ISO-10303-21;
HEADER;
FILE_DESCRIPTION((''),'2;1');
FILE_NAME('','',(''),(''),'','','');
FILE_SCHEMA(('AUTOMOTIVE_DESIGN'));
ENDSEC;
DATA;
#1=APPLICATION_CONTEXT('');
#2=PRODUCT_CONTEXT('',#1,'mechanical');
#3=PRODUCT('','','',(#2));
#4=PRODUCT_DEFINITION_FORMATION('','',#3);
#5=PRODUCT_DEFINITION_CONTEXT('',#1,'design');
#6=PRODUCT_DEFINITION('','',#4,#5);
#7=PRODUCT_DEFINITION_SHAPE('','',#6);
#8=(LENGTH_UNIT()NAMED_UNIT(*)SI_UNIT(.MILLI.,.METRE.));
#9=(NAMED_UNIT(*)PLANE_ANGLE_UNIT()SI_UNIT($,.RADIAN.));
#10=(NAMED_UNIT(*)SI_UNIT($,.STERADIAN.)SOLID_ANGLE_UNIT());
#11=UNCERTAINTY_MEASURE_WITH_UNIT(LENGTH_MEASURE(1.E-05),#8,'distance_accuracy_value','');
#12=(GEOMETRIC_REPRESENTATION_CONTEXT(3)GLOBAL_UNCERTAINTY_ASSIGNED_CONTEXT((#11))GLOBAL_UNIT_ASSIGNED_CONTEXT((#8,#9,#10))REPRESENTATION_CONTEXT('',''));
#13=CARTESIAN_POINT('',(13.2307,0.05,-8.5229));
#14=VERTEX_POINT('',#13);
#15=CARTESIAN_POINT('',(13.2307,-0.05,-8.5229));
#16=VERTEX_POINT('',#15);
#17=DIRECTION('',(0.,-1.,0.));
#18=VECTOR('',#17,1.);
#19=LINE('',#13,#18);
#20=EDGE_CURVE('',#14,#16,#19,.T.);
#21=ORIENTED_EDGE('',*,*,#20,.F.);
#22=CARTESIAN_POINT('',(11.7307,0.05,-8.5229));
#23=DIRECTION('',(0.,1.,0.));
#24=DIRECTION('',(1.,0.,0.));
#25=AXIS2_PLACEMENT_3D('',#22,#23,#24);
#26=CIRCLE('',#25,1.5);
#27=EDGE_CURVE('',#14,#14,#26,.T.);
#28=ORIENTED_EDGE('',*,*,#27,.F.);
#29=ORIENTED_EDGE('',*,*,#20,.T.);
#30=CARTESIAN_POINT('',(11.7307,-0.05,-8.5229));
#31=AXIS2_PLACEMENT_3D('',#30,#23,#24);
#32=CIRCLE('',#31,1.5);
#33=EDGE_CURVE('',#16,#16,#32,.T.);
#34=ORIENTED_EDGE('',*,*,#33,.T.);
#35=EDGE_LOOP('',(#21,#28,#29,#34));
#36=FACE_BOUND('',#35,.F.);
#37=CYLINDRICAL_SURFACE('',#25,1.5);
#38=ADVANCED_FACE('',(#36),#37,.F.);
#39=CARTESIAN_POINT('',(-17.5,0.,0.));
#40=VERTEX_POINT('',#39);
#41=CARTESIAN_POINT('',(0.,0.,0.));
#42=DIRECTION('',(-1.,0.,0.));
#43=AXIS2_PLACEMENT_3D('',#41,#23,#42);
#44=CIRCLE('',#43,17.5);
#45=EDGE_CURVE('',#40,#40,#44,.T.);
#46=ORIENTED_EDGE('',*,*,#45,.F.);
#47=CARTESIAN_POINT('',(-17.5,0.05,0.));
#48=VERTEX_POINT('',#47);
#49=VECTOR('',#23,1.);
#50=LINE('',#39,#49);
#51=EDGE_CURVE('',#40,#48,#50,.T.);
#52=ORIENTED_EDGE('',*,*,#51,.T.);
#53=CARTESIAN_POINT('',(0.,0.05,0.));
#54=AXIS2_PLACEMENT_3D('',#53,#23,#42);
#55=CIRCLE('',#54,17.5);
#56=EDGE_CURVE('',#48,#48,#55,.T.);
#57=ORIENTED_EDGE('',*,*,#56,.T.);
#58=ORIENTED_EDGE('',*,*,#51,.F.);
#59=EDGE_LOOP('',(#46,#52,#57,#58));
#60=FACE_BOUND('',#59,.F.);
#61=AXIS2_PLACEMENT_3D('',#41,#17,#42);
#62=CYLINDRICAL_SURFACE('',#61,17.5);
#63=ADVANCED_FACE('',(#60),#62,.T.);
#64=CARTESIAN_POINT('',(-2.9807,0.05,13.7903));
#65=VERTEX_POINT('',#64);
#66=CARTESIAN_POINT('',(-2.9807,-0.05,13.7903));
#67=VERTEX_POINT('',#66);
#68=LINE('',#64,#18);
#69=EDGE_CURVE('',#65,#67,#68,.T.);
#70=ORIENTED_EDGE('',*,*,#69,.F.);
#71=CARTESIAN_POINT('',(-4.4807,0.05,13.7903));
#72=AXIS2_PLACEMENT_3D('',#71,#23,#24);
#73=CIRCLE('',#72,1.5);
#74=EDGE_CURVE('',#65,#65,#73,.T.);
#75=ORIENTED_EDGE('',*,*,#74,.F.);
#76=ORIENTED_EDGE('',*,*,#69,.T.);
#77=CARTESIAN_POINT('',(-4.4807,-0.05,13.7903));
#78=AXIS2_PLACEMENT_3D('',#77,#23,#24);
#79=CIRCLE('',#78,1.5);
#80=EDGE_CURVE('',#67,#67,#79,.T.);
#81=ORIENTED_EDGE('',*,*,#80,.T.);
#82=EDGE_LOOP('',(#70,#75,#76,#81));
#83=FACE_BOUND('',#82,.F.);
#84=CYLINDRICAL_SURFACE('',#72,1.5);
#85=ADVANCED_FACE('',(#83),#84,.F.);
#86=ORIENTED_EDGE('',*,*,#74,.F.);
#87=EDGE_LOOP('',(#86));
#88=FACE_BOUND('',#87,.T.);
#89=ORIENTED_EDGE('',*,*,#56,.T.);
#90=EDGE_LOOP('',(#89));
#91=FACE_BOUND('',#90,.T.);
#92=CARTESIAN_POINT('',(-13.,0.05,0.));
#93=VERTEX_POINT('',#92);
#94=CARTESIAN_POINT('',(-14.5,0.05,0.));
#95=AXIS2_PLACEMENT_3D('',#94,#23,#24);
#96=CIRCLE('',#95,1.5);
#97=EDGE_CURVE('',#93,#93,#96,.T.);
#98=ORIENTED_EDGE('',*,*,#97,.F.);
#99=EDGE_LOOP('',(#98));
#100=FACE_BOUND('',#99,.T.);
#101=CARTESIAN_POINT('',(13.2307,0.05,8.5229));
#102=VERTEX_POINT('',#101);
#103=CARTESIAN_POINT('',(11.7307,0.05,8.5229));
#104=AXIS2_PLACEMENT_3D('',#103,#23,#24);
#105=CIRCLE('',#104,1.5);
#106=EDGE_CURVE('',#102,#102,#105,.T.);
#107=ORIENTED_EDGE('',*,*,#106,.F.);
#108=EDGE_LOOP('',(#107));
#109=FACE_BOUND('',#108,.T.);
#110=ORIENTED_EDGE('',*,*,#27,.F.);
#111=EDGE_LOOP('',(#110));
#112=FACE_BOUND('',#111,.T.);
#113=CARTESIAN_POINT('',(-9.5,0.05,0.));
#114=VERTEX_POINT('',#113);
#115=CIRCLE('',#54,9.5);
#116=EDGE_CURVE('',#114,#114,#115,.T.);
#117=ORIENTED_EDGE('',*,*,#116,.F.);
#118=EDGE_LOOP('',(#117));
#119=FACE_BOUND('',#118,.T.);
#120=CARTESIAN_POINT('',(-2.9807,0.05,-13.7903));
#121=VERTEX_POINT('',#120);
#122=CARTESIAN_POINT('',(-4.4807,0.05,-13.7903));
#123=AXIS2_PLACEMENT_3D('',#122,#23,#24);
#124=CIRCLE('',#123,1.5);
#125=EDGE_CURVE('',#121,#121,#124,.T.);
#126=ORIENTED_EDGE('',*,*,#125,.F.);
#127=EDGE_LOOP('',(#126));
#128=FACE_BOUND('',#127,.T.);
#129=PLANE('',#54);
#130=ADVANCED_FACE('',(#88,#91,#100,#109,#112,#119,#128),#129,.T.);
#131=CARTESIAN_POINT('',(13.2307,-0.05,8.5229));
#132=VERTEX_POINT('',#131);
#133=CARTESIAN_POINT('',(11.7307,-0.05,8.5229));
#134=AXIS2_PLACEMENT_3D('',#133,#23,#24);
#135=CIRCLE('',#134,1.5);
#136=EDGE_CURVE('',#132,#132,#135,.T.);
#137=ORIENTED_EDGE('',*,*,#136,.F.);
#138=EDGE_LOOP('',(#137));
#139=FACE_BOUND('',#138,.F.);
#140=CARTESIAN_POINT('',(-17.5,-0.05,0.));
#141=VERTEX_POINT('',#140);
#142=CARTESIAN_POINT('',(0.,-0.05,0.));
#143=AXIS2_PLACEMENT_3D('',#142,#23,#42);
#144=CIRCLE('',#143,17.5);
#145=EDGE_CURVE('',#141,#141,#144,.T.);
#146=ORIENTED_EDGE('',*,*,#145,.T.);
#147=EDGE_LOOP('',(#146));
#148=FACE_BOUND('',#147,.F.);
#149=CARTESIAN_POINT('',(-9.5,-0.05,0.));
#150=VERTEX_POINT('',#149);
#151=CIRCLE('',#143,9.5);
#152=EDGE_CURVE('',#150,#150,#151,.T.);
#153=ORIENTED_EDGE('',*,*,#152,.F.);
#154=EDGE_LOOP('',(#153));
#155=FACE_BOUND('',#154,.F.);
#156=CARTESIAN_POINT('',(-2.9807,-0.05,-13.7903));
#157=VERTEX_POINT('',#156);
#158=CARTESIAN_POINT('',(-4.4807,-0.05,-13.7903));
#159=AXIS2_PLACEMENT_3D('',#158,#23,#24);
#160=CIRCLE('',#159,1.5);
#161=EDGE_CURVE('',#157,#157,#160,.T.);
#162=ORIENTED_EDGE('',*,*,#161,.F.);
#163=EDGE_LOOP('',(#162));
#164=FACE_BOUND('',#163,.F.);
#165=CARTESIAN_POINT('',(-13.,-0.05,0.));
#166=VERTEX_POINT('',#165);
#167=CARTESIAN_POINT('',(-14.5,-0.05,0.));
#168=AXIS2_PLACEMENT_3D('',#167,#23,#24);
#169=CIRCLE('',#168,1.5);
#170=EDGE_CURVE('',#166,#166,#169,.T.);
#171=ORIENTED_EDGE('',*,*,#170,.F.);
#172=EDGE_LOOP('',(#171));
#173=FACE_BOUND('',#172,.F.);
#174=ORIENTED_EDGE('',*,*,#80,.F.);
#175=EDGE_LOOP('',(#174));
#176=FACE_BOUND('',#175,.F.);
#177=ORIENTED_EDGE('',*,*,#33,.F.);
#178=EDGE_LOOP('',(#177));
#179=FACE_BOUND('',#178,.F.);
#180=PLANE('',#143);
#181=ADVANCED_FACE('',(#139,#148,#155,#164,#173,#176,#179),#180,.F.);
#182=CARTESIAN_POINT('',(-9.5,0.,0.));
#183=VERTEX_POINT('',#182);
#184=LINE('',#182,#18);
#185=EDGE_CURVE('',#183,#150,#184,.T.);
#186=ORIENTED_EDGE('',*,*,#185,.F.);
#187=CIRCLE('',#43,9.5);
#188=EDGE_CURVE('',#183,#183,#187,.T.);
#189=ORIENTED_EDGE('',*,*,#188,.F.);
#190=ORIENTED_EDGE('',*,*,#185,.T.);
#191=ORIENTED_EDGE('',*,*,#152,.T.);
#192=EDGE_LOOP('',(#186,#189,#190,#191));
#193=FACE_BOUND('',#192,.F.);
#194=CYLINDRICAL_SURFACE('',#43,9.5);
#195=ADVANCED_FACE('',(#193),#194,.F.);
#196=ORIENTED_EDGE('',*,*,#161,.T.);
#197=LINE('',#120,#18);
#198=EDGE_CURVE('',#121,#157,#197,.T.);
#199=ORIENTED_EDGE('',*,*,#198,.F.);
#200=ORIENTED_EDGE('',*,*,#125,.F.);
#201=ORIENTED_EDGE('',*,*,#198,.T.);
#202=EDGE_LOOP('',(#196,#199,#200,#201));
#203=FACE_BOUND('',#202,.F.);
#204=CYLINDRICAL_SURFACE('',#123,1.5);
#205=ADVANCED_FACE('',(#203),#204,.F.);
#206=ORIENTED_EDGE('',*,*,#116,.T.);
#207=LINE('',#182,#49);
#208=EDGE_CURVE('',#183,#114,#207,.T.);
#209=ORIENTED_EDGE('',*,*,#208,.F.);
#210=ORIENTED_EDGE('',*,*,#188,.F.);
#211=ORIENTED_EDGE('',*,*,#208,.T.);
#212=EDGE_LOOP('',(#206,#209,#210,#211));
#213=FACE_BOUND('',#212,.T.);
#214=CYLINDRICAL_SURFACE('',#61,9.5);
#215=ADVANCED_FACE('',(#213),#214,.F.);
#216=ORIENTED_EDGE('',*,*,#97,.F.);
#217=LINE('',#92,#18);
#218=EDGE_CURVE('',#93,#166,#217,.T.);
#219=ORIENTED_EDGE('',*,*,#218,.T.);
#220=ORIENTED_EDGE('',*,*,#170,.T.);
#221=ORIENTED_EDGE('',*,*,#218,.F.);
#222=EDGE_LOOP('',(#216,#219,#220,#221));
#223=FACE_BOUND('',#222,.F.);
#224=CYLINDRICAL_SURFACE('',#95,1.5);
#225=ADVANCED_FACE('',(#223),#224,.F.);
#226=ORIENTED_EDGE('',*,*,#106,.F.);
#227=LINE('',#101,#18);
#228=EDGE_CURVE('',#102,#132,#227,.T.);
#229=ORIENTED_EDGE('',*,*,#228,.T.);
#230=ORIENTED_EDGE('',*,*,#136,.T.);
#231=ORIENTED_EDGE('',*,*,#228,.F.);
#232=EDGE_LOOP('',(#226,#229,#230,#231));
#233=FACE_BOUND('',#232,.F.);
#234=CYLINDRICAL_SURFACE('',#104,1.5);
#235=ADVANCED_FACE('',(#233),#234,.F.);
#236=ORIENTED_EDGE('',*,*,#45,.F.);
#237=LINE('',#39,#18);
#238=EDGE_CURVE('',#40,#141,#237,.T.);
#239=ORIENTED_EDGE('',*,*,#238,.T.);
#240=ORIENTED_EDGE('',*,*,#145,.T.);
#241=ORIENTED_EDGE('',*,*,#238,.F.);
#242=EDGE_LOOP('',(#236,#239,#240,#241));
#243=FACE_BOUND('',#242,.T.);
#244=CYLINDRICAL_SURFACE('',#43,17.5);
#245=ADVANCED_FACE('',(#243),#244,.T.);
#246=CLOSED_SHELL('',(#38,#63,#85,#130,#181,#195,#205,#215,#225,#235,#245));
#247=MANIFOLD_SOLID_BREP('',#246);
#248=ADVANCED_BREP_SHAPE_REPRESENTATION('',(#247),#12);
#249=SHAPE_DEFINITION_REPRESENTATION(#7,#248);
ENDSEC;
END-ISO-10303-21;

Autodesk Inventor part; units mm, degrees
ref_plane "YZ Plane" through (0, 0, 0) normal (1, 0, 0) x (0, 1, 0)
ref_plane "XZ Plane" through (0, 0, 0) normal (0, 1, 0) x (-1, 0, 0)
ref_plane "XY Plane" through (0, 0, 0) normal (0, 0, 1) x (1, 0, 0)
sketch "Sketch1" plane through (0, 0, 0) normal (0, 1, 0) x (-1, 0, 0)
  circle A0 centre (0, 0) radius 17.5
  circle A1 centre (0, 0) radius 9.5
  dimension "d0" = 35
  dimension "d1" = 19
extrude "Extrusion1" add sketch "Sketch1" along normal mid plane 0.1
sketch "Sketch2" plane through (0, 0.05, 0) normal (0, 1, 0) x (1, 0, 0)
  circle A0 centre (-14.5, 0) radius 1.5
  circle A1 centre (-4.4807, -13.7903) radius 1.5
  circle A2 centre (11.7307, -8.5229) radius 1.5
  circle A3 centre (11.7307, 8.5229) radius 1.5
  circle A4 centre (-4.4807, 13.7903) radius 1.5
  point P0 (0, 0)
  dimension "d4" = 3
  dimension "d5" = 0
  dimension "d6" = 14.5
  dimension "d9" = 360
extrude "Extrusion2" cut sketch "Sketch2" against normal through all
properties material "Nylon 6/6"
